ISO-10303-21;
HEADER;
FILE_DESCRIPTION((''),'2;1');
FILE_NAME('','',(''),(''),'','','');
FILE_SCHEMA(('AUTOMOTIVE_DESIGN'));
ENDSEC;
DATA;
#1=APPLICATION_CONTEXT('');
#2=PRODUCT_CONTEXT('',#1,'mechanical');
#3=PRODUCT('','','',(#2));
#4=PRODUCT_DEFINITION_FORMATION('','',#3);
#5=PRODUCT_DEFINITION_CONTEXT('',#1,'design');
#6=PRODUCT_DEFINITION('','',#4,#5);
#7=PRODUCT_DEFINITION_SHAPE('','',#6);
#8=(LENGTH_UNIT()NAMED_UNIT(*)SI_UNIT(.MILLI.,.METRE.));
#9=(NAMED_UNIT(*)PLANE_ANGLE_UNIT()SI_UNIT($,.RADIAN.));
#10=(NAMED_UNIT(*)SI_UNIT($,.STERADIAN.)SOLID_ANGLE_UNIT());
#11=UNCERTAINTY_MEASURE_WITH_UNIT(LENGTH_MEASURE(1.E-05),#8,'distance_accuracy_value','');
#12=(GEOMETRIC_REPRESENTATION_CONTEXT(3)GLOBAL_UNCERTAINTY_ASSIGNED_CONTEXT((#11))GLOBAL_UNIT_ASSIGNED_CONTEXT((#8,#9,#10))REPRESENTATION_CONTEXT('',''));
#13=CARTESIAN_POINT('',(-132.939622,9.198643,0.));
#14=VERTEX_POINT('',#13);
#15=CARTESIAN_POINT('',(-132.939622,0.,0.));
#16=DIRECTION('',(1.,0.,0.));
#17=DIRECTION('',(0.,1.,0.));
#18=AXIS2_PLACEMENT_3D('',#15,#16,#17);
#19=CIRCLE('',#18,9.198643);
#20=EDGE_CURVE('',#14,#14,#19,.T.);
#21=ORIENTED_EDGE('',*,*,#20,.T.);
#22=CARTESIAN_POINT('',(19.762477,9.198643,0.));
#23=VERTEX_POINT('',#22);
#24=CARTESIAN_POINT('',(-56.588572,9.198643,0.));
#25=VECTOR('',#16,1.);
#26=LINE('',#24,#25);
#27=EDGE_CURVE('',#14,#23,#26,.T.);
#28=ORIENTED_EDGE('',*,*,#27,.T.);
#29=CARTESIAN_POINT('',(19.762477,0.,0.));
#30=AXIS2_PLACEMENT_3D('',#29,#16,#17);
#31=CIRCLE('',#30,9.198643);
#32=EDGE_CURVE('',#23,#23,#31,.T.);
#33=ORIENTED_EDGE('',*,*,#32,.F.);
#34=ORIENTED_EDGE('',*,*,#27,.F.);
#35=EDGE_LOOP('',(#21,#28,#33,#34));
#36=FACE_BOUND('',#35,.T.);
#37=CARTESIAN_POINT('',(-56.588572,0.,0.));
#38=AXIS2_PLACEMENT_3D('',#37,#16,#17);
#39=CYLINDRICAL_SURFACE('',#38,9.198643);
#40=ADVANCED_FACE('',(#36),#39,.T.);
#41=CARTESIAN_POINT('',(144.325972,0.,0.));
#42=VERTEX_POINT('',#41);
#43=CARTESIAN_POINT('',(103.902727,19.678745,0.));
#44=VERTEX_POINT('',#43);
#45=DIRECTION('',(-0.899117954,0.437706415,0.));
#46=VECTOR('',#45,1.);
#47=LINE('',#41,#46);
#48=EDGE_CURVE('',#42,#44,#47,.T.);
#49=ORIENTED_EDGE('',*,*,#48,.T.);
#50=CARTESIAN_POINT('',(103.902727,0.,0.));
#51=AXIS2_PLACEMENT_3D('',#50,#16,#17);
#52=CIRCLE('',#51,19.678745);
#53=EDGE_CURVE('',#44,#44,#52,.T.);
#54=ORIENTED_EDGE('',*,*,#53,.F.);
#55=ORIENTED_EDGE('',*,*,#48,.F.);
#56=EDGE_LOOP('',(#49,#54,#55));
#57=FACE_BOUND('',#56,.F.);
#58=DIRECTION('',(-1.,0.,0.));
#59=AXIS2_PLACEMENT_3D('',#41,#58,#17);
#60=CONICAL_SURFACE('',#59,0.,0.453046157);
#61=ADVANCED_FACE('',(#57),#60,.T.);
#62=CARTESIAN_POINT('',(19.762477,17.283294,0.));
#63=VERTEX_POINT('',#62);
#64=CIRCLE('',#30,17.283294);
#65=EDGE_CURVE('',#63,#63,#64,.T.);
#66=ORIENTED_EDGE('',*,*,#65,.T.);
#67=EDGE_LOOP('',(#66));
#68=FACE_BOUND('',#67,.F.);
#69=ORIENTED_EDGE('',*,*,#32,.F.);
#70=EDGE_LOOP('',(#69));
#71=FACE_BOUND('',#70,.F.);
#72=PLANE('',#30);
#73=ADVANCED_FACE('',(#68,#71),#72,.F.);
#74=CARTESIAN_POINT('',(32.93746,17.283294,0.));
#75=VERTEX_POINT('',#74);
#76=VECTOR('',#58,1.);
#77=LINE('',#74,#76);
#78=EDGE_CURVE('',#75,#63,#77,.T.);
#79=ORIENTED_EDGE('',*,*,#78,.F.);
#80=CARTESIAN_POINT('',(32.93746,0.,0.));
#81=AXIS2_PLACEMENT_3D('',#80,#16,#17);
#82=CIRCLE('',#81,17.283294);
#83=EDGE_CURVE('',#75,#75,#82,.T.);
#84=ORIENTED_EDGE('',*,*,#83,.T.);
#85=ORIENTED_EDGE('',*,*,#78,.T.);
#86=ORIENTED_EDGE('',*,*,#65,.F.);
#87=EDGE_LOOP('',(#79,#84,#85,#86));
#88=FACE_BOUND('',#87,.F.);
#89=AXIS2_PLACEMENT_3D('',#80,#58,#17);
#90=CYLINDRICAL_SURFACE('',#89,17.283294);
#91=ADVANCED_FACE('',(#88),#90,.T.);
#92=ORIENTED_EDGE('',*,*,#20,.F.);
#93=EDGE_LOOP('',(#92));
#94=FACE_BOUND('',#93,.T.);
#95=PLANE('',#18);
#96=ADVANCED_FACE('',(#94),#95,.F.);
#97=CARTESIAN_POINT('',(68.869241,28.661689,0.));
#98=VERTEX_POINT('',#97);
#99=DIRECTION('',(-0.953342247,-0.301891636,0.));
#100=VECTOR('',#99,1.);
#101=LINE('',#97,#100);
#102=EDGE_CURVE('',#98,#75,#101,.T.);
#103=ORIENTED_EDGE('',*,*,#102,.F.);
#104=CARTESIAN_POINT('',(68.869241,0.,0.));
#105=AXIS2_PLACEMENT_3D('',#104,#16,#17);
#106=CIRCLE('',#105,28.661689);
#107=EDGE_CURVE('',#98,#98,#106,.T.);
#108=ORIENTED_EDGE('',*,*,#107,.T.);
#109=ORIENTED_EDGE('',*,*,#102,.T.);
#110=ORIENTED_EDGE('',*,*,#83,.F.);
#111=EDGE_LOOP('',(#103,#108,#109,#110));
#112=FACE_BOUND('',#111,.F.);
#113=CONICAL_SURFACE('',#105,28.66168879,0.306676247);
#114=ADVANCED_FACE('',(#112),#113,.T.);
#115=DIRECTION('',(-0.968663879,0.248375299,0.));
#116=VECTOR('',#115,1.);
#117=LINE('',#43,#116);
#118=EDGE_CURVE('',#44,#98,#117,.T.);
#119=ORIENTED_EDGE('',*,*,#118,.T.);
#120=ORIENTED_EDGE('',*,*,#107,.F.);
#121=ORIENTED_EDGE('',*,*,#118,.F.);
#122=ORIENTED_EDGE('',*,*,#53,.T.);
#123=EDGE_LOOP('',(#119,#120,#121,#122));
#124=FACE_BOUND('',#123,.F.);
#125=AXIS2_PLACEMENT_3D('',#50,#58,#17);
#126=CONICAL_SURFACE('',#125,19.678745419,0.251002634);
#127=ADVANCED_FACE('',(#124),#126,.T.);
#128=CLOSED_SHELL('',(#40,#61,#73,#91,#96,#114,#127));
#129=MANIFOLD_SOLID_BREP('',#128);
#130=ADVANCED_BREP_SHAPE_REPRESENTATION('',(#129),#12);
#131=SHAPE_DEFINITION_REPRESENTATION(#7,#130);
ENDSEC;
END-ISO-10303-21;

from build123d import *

# Parameters (mm, degrees)
F0_W = 152.7020987123
F0_H = 9.1986432672


with BuildPart() as f1:
    # F0 (on Top) → F1 (revolve)
    with BuildSketch(Plane.XY):
        with Locations((-56.58857245, 4.5993216336)):
            Rectangle(F0_W, F0_H)
        Polygon((19.7624769062, 9.1986432672), (19.7624769062, 0), (144.3259716034, 0), (103.9027273655, 19.6787454188), (68.869240582, 28.6616887897), (32.9374596477, 17.2832943499), (19.7624769062, 17.2832943499), align=None)
    revolve(axis=Axis((82.0442242548, 0, 0), (1, 0, 0)))


solid = f1.part
